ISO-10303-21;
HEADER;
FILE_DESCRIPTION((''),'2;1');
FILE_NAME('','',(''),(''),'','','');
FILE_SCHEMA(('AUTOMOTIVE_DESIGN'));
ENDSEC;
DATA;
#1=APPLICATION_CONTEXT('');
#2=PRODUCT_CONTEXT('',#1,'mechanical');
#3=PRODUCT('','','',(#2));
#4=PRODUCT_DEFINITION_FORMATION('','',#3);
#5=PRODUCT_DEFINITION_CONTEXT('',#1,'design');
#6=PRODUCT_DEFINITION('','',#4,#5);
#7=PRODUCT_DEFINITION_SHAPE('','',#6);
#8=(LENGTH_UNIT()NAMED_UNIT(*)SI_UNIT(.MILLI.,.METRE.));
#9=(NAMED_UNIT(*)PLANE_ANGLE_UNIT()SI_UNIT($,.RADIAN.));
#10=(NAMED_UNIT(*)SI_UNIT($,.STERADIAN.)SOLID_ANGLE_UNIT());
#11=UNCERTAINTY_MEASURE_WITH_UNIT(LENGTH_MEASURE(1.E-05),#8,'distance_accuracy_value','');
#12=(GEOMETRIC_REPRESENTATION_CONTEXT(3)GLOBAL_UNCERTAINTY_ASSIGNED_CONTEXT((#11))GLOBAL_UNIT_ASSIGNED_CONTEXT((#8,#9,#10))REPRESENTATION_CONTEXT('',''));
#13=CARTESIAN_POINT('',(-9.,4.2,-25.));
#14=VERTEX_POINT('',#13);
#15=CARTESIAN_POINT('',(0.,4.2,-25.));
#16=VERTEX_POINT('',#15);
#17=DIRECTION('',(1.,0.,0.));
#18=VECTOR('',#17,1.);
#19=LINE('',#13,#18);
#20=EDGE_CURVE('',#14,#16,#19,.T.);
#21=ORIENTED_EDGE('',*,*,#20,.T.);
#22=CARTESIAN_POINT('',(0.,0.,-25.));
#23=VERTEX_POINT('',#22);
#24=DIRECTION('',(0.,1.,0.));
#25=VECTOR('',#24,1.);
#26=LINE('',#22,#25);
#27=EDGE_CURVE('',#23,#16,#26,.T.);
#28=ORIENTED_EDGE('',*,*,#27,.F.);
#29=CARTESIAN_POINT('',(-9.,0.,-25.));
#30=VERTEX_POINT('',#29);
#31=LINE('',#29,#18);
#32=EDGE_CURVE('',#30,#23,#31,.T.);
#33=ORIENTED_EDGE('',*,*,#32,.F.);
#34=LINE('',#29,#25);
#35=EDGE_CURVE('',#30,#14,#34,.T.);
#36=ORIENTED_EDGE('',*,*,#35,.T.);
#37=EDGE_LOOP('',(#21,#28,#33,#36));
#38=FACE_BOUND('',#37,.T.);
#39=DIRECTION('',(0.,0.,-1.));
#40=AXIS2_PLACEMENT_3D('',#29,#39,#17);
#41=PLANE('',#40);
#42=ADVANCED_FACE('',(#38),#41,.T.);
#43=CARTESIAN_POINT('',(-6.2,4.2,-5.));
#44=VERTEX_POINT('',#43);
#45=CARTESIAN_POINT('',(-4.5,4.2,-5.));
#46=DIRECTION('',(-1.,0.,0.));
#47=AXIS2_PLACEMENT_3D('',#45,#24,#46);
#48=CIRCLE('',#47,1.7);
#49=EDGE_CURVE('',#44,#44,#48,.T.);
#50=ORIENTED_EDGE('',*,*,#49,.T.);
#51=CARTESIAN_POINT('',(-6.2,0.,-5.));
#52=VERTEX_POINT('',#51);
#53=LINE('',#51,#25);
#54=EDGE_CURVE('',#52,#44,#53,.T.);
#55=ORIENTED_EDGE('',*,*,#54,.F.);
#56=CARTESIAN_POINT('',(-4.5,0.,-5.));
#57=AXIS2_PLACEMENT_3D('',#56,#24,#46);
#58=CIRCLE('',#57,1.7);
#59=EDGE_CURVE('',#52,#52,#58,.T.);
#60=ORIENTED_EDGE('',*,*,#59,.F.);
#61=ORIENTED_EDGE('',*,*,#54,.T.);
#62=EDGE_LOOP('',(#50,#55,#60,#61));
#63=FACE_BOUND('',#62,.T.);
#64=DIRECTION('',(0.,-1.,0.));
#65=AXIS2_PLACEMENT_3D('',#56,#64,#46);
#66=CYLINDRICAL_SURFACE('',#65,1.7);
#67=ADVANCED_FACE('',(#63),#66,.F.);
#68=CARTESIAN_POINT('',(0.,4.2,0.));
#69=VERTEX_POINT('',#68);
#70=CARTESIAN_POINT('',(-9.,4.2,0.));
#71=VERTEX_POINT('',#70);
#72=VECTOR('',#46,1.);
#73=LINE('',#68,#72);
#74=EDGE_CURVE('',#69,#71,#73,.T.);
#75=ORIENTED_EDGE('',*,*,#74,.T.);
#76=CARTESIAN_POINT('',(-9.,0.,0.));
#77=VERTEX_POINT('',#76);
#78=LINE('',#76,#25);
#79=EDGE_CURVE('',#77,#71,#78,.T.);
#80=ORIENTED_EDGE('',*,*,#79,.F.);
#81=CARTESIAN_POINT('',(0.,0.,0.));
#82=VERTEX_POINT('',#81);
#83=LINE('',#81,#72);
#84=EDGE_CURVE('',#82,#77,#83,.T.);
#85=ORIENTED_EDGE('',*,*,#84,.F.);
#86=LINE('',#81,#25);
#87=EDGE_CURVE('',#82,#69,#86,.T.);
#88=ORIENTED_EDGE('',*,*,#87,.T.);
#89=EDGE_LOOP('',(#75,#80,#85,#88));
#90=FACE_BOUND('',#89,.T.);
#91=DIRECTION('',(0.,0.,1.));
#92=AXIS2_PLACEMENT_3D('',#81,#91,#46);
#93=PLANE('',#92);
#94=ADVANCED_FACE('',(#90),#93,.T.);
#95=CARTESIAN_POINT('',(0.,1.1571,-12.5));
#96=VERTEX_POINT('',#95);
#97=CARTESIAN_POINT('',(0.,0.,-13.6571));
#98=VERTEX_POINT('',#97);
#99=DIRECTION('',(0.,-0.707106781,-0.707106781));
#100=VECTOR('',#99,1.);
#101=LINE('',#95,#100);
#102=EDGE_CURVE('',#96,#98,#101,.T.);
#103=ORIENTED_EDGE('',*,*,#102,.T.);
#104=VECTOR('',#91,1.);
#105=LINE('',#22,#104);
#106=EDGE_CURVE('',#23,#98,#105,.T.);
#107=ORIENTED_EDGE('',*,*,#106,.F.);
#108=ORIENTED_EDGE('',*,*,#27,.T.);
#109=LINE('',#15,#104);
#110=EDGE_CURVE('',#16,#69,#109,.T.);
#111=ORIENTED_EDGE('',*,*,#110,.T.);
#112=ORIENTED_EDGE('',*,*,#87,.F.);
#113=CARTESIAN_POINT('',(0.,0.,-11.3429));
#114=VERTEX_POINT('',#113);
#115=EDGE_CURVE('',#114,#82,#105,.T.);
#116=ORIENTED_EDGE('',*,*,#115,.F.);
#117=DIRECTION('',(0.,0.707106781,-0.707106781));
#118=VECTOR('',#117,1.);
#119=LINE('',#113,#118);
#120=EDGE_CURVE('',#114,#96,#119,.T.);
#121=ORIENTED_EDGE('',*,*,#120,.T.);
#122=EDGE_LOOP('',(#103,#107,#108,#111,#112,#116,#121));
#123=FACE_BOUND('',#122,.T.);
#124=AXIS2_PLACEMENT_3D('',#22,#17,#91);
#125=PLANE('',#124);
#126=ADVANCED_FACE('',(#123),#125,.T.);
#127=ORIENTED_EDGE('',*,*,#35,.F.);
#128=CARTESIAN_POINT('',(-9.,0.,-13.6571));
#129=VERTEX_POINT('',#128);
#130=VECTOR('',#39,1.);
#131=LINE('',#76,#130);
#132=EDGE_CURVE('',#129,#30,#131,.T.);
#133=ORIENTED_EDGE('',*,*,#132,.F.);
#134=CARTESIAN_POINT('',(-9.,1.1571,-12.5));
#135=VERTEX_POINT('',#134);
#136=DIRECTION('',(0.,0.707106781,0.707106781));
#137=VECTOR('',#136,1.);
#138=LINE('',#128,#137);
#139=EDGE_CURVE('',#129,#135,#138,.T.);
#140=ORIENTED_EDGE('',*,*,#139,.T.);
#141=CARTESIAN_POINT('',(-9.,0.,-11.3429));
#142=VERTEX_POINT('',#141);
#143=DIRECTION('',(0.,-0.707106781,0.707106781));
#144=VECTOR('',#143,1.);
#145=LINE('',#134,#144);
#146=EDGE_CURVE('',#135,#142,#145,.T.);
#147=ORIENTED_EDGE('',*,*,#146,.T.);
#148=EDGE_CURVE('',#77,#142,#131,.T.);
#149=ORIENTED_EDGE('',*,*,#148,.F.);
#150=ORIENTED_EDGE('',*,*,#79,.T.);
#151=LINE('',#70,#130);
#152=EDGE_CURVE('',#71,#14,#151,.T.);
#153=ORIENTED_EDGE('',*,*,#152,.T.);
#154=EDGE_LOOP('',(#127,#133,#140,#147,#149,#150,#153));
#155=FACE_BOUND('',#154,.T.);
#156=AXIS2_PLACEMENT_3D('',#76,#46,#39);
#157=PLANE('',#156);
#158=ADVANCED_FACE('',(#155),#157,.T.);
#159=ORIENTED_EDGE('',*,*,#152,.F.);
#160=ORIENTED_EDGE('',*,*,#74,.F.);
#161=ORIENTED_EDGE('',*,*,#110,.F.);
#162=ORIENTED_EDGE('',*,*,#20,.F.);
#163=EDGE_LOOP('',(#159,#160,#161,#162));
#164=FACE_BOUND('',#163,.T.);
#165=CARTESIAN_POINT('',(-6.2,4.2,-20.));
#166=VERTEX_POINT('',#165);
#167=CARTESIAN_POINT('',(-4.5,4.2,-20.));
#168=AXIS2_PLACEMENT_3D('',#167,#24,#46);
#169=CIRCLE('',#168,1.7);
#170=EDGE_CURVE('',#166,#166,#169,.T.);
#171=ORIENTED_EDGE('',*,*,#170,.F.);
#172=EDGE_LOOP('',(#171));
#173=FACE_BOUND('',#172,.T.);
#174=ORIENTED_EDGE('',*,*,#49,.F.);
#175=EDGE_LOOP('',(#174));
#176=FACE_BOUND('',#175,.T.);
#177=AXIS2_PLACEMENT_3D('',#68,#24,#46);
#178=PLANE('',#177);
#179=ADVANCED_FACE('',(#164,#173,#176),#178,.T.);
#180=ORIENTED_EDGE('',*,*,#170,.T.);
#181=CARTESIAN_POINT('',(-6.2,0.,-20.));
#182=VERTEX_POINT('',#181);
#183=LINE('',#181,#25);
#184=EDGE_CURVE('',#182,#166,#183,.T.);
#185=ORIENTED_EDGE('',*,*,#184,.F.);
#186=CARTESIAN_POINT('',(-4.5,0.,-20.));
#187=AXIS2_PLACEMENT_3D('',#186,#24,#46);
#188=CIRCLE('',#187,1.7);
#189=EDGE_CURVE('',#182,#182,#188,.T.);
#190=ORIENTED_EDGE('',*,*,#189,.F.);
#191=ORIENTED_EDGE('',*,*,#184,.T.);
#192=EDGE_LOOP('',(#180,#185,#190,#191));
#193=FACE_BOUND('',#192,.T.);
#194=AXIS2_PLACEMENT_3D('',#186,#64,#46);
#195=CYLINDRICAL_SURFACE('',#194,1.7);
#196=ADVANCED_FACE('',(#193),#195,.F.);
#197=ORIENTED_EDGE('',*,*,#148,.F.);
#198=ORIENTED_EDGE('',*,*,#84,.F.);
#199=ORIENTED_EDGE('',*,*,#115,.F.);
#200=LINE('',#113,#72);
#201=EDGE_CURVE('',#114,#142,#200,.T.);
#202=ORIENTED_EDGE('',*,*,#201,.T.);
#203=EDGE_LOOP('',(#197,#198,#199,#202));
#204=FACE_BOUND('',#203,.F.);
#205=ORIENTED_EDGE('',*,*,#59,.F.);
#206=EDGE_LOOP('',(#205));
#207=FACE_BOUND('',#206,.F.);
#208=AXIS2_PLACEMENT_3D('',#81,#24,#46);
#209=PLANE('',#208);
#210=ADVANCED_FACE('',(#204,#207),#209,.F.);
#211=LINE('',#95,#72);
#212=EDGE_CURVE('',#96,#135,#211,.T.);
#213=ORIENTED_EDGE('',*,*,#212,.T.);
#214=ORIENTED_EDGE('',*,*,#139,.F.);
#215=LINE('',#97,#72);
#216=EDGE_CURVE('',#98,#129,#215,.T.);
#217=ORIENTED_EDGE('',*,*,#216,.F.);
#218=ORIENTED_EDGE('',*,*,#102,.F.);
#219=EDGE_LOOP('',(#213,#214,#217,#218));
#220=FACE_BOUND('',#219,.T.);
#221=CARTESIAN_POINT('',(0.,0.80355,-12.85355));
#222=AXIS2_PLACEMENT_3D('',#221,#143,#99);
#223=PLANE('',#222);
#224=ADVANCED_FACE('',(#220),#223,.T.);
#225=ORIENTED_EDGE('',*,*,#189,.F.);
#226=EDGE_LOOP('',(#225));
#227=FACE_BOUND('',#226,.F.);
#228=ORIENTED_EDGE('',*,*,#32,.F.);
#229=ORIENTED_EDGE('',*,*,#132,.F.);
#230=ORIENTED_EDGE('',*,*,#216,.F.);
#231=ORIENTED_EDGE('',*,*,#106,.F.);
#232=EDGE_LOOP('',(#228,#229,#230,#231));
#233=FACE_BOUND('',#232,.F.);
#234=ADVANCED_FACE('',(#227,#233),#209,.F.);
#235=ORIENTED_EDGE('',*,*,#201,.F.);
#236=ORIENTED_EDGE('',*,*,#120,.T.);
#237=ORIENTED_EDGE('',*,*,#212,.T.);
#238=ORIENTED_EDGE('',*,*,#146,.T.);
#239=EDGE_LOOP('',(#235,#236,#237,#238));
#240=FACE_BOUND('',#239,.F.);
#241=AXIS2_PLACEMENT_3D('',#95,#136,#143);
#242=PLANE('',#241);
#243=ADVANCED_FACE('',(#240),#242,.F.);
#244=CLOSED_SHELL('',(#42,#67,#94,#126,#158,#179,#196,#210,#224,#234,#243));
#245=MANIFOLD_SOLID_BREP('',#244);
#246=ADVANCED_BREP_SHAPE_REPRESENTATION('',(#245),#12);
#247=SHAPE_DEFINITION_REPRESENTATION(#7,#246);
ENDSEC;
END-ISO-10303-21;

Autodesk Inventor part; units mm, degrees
ref_plane "YZ Plane" through (0, 0, 0) normal (1, 0, 0) x (0, 1, 0)
ref_plane "XZ Plane" through (0, 0, 0) normal (0, 1, 0) x (-1, 0, 0)
ref_plane "XY Plane" through (0, 0, 0) normal (0, 0, 1) x (1, 0, 0)
sketch "Sketch1" plane through (0, 0, 0) normal (0, 1, 0) x (-1, 0, 0)
  line L0 (0, 0) -> (9, 0)
  line L1 (9, 0) -> (9, -25)
  line L2 (9, -25) -> (0, -25)
  line L3 (0, -25) -> (0, 0)
  circle A0 centre (4.5, -5) radius 1.7
  circle A1 centre (4.5, -20) radius 1.7
  line L4 (4.5, 0) -> (4.5, -25) construction
  line L5 (9, -12.5) -> (0, -12.5) construction
  dimension "d0" = 9
  dimension "d1" = 3.4
  dimension "d2" = 3.4
  dimension "d3" = 7.5
  dimension "d4" = 7.5
  dimension "d5" = 25
extrude "Extrusion1" add sketch "Sketch1" along normal blind 4.2
sketch "Sketch2" plane through (0, 0, 0) normal (1, 0, 0) x (0, 0, -1)
  line L0 (0, 0) -> (25, 0) construction
  line L1 (12.5, 0) -> (12.5, 1.1571) construction
  line L2 (12.5, 1.1571) -> (11.3429, 0)
  line L3 (12.5, 1.1571) -> (13.6571, 0)
  line L4 (9.1461, 0) -> (13.6571, 0)
  circle A0 centre (12.5, 0.45) radius 0.5
  point P0 (11.3429, 0)
  dimension "d8" = 45
  dimension "d10" = 45
  dimension "d14" = 1
  dimension "d15" = 0.45
extrude "Extrusion2" cut sketch "Sketch2" against normal through all contours L3 A0 L2 | A0 L4 L2 | A0 L4 | L3 L4 A0 picked at (12.3997, 0.4044)
equation "\"d1\" = d2"
equation "\"d4\" = d3"
equation "\"d10\" = d8"
properties part number "suction_electrode_holder"
